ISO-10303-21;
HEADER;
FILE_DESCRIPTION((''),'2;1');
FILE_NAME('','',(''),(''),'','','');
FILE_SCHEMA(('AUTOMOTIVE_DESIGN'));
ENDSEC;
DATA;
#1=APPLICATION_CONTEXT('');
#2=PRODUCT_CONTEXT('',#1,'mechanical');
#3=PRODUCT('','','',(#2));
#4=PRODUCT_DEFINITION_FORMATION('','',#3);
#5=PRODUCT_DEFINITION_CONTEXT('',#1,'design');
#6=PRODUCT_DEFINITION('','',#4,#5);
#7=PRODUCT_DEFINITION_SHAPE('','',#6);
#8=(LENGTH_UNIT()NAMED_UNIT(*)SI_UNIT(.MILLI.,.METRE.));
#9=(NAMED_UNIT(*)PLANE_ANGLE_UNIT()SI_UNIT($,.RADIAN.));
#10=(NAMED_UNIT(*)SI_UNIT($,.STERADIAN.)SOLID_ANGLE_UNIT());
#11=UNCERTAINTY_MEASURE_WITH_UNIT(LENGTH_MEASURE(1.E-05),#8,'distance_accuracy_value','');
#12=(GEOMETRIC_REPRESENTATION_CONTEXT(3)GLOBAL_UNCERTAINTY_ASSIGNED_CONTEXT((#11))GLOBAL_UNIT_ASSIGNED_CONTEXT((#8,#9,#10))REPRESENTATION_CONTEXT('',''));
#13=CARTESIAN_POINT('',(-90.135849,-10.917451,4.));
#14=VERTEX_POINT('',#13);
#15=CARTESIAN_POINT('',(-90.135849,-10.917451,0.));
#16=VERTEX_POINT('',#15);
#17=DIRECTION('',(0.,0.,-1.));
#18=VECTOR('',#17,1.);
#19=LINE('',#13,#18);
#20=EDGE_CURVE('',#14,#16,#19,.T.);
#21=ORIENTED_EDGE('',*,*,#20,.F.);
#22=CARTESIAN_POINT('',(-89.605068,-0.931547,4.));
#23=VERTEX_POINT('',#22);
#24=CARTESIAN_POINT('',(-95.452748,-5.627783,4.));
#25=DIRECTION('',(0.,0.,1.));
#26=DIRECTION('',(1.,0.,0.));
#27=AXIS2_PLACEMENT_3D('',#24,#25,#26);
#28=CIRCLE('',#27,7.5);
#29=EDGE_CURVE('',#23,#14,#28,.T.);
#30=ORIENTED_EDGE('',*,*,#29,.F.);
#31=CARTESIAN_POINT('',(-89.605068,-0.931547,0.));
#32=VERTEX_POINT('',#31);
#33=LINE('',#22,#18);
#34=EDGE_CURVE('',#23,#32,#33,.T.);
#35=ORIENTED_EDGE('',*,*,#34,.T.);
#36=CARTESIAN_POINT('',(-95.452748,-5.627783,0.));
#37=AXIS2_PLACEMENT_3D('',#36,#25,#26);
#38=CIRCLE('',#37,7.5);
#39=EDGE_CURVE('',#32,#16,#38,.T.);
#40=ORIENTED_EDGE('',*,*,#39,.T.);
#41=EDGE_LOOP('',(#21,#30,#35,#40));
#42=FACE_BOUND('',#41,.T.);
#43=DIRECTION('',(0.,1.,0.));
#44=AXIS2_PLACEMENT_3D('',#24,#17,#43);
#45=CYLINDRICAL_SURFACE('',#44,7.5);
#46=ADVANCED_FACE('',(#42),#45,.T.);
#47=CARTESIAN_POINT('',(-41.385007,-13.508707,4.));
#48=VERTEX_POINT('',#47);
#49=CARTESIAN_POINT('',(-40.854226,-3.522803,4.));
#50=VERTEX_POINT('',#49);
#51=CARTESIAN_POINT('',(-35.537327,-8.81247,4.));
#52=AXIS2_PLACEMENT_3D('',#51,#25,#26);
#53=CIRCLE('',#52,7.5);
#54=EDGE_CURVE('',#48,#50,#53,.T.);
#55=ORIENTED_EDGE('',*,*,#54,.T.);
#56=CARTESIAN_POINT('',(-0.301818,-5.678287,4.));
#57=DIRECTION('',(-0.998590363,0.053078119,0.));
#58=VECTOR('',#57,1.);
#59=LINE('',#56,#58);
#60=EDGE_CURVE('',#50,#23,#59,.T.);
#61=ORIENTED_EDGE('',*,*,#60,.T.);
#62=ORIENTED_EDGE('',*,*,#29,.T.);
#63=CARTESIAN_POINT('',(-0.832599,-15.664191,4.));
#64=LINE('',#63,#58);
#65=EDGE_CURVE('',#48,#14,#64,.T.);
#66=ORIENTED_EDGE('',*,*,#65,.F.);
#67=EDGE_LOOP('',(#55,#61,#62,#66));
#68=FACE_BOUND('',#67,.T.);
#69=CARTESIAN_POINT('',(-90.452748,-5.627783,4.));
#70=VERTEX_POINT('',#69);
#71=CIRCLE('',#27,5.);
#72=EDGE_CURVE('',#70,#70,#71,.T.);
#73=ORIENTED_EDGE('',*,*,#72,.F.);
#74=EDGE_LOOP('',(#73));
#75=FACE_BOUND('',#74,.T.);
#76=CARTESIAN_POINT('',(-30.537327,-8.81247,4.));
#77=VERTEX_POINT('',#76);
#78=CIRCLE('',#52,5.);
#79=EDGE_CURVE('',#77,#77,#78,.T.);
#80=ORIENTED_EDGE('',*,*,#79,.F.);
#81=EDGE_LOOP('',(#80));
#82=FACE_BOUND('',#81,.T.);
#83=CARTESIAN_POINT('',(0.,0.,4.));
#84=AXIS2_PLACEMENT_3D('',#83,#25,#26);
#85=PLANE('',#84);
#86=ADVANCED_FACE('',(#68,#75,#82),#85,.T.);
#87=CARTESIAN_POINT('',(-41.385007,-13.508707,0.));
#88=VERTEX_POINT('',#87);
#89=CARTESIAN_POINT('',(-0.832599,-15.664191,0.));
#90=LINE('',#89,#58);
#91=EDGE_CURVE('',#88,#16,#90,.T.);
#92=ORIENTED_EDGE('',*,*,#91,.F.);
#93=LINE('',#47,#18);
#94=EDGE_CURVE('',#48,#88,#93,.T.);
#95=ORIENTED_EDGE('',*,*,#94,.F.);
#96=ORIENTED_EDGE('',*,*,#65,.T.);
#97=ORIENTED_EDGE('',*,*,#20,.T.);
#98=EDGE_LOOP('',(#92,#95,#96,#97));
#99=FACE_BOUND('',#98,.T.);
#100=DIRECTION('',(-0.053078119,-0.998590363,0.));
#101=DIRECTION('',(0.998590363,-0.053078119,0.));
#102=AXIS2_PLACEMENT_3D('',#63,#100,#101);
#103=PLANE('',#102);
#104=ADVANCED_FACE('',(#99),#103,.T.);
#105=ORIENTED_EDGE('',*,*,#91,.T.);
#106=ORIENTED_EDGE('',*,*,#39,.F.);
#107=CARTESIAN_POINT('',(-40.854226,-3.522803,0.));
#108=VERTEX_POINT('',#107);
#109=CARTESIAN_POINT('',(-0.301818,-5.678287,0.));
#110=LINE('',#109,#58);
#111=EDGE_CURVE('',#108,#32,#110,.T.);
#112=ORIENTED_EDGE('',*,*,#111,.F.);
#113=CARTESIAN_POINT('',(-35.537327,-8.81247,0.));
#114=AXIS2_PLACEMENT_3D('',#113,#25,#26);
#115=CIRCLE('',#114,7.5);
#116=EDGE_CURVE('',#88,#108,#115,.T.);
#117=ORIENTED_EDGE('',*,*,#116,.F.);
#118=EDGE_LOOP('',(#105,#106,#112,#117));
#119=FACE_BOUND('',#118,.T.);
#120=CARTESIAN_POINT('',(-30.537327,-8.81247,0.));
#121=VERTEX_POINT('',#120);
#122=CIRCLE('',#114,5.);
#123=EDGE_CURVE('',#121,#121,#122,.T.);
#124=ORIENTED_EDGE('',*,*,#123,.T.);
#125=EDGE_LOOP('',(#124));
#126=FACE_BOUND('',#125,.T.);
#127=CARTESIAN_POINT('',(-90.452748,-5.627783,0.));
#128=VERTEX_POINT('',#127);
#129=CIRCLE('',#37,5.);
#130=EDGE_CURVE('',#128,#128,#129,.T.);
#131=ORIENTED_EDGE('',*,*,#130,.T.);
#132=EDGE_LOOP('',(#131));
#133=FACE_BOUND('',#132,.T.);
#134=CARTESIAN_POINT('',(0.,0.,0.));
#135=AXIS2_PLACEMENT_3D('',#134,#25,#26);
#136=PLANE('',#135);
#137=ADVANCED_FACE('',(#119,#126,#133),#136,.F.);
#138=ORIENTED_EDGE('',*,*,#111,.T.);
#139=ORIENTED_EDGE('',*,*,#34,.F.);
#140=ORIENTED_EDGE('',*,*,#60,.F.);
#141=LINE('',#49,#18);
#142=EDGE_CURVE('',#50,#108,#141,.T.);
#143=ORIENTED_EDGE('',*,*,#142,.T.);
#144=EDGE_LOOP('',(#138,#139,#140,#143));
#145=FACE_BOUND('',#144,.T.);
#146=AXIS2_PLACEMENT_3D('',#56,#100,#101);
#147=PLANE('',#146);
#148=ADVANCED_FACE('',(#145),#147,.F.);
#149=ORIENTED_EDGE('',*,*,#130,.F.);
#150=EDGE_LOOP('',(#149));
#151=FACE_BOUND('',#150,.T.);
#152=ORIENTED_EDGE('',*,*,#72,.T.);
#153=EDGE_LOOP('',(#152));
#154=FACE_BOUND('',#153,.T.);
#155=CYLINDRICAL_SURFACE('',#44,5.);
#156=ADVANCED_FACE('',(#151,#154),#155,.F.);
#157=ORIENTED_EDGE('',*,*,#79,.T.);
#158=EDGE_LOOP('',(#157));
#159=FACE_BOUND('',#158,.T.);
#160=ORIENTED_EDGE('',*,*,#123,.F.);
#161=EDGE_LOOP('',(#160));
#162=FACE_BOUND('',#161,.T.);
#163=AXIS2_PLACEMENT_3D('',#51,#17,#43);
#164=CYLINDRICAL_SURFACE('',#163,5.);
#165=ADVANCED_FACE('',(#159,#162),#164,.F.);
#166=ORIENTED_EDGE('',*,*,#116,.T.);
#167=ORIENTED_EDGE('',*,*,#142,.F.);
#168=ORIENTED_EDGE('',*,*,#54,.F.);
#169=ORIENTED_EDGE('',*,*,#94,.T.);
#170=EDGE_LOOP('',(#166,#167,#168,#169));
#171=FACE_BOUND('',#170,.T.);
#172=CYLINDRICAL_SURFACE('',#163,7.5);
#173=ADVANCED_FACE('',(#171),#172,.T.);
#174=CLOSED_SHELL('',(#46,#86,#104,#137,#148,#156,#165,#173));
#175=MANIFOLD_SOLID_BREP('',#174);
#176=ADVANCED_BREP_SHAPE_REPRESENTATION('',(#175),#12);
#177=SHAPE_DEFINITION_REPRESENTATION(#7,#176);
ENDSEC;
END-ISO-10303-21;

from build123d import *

# Parameters (mm, degrees)
BOSS_EXTRUDE1_DEPTH = 4


with BuildPart() as part:
    # Sketch1 → Boss-Extrude1 (new body)
    with BuildSketch(Plane(origin=(0, 0, 0), x_dir=(0.431181775, 0.902265081, 0), z_dir=(0, 0, 1))):
        with BuildLine():
            ThreePointArc((-30.032895054, 31.515538639), (-26.144357712, 35.193408701), (-20.794099729, 35.342372963))
            Line((-20.794099729, 35.342372963), (-39.476574827, 80.445857725))
            ThreePointArc((-39.476574827, 80.445857725), (-43.365112169, 76.767987664), (-48.715370152, 76.619023401))
            Line((-48.715370152, 76.619023401), (-30.032895054, 31.515538639))
        make_face()
        with BuildLine():
            ThreePointArc((-48.715370152, 76.619023401), (-43.365112169, 76.767987664), (-39.476574827, 80.445857725))
            Line((-39.476574827, 80.445857725), (-41.615840249, 85.610501319))
            ThreePointArc((-41.615840249, 85.610501319), (-41.331311509, 84.672535768), (-41.235237911, 83.697084158))
            ThreePointArc((-41.235237911, 83.697084158), (-45.259786301, 78.793157756), (-50.854635574, 81.783666996))
            Line((-50.854635574, 81.783666996), (-48.715370152, 76.619023401))
        make_face()
        with BuildLine():
            Line((-41.615840249, 85.610501319), (-39.476574827, 80.445857725))
            ThreePointArc((-39.476574827, 80.445857725), (-38.922920456, 82.029746929), (-38.735237911, 83.697084158))
            ThreePointArc((-38.735237911, 83.697084158), (-50.573959393, 89.814722256), (-48.715370152, 76.619023401))
            Line((-48.715370152, 76.619023401), (-50.854635574, 81.783666996))
            ThreePointArc((-50.854635574, 81.783666996), (-48.148655073, 88.31648182), (-41.615840249, 85.610501319))
        make_face()
        with BuildLine():
            Line((-20.794099729, 35.342372963), (-18.654834307, 30.177729369))
            ThreePointArc((-18.654834307, 30.177729369), (-18.370305568, 29.239763817), (-18.27423197, 28.264312207))
            ThreePointArc((-18.27423197, 28.264312207), (-22.298780359, 23.360385805), (-27.893629632, 26.350895045))
            Line((-27.893629632, 26.350895045), (-30.032895054, 31.515538639))
            ThreePointArc((-30.032895054, 31.515538639), (-24.941569198, 20.951994752), (-15.77423197, 28.264312207))
            ThreePointArc((-15.77423197, 28.264312207), (-17.156593871, 32.603033689), (-20.794099729, 35.342372963))
        make_face()
        with BuildLine():
            ThreePointArc((-27.893629632, 26.350895045), (-25.187649131, 32.883709869), (-18.654834307, 30.177729369))
            Line((-18.654834307, 30.177729369), (-20.794099729, 35.342372963))
            ThreePointArc((-20.794099729, 35.342372963), (-26.144357712, 35.193408701), (-30.032895054, 31.515538639))
            Line((-30.032895054, 31.515538639), (-27.893629632, 26.350895045))
        make_face()
    extrude(amount=BOSS_EXTRUDE1_DEPTH)


solid = part.part
